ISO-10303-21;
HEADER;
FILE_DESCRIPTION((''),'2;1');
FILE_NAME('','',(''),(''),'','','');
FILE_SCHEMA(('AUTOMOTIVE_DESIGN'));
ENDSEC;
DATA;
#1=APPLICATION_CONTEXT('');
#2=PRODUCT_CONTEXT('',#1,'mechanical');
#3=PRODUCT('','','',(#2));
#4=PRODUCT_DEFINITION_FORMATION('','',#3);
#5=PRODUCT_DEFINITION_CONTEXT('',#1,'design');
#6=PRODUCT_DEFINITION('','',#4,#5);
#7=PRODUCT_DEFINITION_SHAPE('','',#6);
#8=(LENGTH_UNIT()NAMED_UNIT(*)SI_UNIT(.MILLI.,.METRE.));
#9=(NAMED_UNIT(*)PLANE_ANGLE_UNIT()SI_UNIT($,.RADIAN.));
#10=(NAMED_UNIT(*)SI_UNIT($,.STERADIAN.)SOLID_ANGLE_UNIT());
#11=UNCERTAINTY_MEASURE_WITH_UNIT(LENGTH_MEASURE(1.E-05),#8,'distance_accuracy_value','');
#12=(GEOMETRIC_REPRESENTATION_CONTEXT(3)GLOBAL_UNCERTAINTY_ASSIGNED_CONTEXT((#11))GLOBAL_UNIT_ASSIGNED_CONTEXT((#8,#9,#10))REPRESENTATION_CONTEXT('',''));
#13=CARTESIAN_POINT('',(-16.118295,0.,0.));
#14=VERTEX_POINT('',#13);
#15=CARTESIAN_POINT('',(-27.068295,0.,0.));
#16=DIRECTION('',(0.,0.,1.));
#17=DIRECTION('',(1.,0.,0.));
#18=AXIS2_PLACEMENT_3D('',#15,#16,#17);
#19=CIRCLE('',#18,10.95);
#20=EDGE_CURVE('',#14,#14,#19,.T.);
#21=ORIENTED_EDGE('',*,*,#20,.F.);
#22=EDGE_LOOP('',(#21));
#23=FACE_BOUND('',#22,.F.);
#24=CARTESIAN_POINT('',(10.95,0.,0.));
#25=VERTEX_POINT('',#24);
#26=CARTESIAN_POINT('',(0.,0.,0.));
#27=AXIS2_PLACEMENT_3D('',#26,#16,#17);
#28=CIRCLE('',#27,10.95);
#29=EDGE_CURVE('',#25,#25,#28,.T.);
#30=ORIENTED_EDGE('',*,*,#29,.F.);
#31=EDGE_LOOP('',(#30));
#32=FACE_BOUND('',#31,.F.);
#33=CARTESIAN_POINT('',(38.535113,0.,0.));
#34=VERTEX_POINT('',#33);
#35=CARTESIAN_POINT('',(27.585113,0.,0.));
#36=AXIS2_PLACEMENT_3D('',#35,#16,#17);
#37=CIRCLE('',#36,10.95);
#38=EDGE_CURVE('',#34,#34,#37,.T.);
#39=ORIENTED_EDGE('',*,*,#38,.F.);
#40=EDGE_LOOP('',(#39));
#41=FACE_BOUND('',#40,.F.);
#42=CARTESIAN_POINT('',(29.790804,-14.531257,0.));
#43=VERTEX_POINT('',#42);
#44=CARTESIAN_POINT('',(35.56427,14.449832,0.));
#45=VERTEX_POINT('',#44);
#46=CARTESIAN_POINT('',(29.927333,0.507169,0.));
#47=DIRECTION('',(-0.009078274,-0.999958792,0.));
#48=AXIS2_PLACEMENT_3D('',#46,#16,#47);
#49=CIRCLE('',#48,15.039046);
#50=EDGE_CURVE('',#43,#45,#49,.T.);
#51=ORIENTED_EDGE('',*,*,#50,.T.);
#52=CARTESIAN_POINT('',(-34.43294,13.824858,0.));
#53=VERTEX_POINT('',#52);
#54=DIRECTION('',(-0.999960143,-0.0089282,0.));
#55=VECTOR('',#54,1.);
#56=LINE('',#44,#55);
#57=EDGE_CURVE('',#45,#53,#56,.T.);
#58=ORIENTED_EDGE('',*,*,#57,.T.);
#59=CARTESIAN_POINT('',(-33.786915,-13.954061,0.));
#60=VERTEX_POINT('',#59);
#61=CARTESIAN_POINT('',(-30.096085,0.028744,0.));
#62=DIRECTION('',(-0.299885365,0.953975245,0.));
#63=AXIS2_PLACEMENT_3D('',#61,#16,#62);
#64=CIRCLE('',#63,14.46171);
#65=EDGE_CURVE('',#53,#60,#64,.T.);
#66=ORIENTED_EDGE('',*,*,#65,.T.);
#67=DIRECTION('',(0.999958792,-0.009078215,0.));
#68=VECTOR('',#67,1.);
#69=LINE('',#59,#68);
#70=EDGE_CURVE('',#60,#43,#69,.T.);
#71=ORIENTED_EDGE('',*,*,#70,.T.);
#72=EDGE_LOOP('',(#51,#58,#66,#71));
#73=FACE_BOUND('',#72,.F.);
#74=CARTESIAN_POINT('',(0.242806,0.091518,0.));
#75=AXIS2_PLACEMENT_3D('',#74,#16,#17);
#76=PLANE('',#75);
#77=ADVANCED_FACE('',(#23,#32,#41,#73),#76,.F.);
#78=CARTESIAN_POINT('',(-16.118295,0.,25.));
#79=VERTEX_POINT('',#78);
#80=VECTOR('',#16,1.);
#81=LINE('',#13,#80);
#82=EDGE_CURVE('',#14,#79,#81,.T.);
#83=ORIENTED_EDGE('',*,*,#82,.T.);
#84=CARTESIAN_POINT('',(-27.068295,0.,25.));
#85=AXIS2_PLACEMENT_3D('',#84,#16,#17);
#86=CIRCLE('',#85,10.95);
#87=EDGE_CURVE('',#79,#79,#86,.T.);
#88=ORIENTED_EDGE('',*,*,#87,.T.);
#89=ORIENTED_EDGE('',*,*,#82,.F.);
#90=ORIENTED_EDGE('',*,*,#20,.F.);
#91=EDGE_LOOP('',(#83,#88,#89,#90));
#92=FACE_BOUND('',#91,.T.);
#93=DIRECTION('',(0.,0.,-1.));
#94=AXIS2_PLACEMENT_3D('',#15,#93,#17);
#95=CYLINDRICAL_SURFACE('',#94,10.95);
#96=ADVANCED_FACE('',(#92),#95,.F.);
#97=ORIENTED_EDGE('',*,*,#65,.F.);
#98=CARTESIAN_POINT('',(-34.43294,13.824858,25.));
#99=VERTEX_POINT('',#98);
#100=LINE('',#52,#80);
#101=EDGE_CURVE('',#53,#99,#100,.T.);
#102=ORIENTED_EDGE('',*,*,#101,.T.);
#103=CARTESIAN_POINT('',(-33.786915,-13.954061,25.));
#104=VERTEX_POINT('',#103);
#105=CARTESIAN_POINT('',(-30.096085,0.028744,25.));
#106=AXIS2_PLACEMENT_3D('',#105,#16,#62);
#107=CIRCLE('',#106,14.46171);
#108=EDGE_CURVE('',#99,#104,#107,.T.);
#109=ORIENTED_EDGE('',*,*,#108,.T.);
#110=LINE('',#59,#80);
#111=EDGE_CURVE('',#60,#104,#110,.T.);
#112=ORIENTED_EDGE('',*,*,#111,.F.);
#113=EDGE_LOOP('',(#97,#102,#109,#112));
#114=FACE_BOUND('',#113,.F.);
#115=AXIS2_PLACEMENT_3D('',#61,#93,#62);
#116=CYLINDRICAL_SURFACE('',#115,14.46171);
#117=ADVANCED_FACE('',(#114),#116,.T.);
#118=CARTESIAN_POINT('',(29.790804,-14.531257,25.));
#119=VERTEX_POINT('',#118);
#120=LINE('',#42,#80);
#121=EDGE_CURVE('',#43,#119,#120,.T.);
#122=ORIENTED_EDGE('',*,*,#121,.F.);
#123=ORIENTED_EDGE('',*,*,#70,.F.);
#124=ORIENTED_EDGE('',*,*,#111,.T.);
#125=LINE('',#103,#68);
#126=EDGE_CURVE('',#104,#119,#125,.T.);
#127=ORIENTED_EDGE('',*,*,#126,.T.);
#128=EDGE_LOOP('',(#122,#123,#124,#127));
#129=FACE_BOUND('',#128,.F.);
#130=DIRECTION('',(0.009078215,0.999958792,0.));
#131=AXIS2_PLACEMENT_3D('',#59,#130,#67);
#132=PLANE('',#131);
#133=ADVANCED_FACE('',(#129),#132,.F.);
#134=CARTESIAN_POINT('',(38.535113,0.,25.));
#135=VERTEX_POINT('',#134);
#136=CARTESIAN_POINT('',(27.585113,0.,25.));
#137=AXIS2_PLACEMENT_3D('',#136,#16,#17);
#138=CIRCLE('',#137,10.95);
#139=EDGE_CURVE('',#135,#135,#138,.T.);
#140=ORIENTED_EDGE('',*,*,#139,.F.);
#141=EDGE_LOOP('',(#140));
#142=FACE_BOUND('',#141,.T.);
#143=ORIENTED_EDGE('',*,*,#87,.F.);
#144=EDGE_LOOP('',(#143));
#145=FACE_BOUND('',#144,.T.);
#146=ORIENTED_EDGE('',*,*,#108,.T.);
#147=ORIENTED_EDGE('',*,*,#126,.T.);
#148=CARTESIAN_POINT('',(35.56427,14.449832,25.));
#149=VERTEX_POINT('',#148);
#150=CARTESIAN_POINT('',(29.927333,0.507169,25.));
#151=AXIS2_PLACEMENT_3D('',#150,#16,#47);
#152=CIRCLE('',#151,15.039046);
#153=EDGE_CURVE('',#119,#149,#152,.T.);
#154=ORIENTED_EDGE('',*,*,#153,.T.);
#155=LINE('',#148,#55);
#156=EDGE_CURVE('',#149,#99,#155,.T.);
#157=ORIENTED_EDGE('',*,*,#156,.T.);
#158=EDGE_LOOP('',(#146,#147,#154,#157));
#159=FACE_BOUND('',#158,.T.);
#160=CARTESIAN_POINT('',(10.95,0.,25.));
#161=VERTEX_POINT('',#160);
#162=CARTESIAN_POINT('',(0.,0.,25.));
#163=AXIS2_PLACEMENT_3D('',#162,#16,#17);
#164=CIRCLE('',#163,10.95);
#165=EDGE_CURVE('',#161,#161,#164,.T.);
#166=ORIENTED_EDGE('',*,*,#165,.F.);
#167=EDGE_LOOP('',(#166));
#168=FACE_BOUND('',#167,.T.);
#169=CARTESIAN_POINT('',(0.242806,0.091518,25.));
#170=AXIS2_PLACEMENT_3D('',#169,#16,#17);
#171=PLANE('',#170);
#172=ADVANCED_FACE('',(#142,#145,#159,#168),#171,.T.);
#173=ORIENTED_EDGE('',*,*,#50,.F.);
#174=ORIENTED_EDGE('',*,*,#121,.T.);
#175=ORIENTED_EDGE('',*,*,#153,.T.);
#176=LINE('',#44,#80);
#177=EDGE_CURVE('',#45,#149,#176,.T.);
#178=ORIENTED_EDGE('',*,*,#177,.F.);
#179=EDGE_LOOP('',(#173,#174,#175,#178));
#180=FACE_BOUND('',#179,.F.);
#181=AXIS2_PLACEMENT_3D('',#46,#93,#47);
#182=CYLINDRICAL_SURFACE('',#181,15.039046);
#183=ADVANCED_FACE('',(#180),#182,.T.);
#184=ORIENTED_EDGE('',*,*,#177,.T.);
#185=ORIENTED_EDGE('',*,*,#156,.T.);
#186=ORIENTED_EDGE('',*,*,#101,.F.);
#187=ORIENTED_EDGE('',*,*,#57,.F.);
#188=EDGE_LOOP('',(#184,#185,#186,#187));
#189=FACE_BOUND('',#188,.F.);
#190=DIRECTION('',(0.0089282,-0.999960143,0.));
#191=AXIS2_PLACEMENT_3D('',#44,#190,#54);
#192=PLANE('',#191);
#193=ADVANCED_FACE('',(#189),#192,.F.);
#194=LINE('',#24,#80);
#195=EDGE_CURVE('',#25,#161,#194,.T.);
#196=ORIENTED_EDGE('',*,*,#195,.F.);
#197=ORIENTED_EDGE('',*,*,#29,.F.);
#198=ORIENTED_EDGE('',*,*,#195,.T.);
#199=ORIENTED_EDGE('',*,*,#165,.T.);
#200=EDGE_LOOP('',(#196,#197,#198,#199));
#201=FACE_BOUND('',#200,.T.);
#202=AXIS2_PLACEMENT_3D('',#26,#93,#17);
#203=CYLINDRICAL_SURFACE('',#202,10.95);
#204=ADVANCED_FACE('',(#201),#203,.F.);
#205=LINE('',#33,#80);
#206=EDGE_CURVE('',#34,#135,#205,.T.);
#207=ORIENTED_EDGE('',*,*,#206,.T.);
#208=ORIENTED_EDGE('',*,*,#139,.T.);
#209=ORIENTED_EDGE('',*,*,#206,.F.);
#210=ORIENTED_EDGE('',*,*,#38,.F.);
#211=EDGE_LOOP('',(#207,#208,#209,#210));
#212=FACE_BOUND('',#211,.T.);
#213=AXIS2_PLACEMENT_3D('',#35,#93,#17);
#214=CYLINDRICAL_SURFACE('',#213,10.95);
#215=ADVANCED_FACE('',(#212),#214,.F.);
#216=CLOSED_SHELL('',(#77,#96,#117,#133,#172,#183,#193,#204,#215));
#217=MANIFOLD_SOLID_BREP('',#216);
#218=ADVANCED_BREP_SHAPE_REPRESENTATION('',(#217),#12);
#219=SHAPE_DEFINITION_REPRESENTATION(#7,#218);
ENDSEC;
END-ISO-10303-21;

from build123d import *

# Parameters (mm, degrees)
F0_R     = 10.95
F1_DEPTH = 25


with BuildPart() as f1:
    # F0 (on Top) → F1 (new body)
    with BuildSketch(Plane.XY):
        with BuildLine():
            Line((35.56427, 14.449832), (-34.43294, 13.824858))
            ThreePointArc((-34.43294, 13.824858), (-44.553886, -0.307486), (-33.786915, -13.954061))
            Line((-33.786915, -13.954061), (29.790804, -14.531257))
            ThreePointArc((29.790804, -14.531257), (44.676553, -2.431096), (35.56427, 14.449832))
        make_face()
        with Locations((-27.068295, 0)):
            Circle(F0_R, mode=Mode.SUBTRACT)
        Circle(F0_R, mode=Mode.SUBTRACT)
        with Locations((27.585113, 0)):
            Circle(F0_R, mode=Mode.SUBTRACT)
    extrude(amount=F1_DEPTH)


solid = f1.part
